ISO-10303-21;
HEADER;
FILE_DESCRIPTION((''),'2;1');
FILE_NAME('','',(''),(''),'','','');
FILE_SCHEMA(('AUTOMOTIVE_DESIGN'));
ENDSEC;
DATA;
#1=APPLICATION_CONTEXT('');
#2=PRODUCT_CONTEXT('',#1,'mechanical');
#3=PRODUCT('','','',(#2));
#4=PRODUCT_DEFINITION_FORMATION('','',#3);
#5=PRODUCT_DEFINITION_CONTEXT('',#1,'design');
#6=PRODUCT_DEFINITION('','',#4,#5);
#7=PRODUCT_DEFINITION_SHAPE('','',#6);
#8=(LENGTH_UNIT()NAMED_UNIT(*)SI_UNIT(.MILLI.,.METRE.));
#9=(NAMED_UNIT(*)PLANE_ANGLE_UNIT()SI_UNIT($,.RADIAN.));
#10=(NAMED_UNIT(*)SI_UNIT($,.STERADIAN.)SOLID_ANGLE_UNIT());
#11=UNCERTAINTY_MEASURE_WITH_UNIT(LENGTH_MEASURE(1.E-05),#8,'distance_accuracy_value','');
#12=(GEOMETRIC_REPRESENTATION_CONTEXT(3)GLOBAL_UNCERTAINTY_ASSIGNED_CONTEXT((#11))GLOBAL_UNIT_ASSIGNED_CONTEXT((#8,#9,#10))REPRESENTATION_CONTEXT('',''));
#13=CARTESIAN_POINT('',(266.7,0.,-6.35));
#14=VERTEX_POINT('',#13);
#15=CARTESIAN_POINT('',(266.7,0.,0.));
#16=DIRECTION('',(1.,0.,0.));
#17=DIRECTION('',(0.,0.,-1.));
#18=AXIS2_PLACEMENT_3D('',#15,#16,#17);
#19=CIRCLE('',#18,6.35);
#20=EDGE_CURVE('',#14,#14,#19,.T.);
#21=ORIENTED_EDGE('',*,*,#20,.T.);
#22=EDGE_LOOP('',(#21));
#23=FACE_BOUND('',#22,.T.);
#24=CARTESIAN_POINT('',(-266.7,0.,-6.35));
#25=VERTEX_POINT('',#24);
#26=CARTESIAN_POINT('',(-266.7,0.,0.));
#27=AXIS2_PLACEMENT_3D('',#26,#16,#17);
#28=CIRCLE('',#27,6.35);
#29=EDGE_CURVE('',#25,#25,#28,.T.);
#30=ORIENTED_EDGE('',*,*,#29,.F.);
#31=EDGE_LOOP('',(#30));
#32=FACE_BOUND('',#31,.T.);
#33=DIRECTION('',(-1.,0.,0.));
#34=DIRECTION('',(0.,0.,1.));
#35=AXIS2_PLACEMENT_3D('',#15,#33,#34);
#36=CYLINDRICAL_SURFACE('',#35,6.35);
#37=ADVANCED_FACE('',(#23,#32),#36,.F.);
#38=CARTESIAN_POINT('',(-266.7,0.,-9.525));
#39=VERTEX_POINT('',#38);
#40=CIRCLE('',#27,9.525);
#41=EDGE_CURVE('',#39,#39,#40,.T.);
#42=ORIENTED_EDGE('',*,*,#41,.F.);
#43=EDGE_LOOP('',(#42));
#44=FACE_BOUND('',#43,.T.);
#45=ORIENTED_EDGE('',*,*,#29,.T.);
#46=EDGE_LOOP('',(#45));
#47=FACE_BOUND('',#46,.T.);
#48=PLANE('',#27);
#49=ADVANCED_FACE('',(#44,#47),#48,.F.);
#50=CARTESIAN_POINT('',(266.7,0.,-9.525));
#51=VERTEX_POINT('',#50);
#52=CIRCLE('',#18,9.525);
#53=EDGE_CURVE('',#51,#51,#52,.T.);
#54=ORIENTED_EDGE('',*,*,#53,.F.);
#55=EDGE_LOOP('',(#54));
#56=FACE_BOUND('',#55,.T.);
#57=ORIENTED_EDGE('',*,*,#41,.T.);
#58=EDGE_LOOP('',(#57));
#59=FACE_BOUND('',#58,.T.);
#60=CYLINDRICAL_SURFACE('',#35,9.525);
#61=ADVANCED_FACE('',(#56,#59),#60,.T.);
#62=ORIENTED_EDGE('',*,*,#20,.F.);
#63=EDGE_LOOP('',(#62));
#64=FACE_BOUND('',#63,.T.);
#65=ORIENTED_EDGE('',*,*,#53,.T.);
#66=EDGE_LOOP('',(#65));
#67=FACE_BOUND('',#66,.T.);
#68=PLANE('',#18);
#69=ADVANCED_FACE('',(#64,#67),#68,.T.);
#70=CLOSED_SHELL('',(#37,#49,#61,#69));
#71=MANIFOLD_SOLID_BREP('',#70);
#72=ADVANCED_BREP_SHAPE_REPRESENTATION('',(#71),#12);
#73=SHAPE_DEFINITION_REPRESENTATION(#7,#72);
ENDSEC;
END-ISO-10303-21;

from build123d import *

# Parameters (mm, degrees)
SKETCH3_R           = 9.525
SKETCH3_R_2         = 6.35
BOSS_EXTRUDE1_DEPTH = 266.7


with BuildPart() as part:
    # Sketch3 → Boss-Extrude1 (new, symmetric)
    with BuildSketch(Plane(origin=(0, 0, 0), x_dir=(0, 0, -1), z_dir=(1, 0, 0))):
        Circle(SKETCH3_R)
        Circle(SKETCH3_R_2, mode=Mode.SUBTRACT)
    extrude(amount=BOSS_EXTRUDE1_DEPTH, both=True)


solid = part.part
